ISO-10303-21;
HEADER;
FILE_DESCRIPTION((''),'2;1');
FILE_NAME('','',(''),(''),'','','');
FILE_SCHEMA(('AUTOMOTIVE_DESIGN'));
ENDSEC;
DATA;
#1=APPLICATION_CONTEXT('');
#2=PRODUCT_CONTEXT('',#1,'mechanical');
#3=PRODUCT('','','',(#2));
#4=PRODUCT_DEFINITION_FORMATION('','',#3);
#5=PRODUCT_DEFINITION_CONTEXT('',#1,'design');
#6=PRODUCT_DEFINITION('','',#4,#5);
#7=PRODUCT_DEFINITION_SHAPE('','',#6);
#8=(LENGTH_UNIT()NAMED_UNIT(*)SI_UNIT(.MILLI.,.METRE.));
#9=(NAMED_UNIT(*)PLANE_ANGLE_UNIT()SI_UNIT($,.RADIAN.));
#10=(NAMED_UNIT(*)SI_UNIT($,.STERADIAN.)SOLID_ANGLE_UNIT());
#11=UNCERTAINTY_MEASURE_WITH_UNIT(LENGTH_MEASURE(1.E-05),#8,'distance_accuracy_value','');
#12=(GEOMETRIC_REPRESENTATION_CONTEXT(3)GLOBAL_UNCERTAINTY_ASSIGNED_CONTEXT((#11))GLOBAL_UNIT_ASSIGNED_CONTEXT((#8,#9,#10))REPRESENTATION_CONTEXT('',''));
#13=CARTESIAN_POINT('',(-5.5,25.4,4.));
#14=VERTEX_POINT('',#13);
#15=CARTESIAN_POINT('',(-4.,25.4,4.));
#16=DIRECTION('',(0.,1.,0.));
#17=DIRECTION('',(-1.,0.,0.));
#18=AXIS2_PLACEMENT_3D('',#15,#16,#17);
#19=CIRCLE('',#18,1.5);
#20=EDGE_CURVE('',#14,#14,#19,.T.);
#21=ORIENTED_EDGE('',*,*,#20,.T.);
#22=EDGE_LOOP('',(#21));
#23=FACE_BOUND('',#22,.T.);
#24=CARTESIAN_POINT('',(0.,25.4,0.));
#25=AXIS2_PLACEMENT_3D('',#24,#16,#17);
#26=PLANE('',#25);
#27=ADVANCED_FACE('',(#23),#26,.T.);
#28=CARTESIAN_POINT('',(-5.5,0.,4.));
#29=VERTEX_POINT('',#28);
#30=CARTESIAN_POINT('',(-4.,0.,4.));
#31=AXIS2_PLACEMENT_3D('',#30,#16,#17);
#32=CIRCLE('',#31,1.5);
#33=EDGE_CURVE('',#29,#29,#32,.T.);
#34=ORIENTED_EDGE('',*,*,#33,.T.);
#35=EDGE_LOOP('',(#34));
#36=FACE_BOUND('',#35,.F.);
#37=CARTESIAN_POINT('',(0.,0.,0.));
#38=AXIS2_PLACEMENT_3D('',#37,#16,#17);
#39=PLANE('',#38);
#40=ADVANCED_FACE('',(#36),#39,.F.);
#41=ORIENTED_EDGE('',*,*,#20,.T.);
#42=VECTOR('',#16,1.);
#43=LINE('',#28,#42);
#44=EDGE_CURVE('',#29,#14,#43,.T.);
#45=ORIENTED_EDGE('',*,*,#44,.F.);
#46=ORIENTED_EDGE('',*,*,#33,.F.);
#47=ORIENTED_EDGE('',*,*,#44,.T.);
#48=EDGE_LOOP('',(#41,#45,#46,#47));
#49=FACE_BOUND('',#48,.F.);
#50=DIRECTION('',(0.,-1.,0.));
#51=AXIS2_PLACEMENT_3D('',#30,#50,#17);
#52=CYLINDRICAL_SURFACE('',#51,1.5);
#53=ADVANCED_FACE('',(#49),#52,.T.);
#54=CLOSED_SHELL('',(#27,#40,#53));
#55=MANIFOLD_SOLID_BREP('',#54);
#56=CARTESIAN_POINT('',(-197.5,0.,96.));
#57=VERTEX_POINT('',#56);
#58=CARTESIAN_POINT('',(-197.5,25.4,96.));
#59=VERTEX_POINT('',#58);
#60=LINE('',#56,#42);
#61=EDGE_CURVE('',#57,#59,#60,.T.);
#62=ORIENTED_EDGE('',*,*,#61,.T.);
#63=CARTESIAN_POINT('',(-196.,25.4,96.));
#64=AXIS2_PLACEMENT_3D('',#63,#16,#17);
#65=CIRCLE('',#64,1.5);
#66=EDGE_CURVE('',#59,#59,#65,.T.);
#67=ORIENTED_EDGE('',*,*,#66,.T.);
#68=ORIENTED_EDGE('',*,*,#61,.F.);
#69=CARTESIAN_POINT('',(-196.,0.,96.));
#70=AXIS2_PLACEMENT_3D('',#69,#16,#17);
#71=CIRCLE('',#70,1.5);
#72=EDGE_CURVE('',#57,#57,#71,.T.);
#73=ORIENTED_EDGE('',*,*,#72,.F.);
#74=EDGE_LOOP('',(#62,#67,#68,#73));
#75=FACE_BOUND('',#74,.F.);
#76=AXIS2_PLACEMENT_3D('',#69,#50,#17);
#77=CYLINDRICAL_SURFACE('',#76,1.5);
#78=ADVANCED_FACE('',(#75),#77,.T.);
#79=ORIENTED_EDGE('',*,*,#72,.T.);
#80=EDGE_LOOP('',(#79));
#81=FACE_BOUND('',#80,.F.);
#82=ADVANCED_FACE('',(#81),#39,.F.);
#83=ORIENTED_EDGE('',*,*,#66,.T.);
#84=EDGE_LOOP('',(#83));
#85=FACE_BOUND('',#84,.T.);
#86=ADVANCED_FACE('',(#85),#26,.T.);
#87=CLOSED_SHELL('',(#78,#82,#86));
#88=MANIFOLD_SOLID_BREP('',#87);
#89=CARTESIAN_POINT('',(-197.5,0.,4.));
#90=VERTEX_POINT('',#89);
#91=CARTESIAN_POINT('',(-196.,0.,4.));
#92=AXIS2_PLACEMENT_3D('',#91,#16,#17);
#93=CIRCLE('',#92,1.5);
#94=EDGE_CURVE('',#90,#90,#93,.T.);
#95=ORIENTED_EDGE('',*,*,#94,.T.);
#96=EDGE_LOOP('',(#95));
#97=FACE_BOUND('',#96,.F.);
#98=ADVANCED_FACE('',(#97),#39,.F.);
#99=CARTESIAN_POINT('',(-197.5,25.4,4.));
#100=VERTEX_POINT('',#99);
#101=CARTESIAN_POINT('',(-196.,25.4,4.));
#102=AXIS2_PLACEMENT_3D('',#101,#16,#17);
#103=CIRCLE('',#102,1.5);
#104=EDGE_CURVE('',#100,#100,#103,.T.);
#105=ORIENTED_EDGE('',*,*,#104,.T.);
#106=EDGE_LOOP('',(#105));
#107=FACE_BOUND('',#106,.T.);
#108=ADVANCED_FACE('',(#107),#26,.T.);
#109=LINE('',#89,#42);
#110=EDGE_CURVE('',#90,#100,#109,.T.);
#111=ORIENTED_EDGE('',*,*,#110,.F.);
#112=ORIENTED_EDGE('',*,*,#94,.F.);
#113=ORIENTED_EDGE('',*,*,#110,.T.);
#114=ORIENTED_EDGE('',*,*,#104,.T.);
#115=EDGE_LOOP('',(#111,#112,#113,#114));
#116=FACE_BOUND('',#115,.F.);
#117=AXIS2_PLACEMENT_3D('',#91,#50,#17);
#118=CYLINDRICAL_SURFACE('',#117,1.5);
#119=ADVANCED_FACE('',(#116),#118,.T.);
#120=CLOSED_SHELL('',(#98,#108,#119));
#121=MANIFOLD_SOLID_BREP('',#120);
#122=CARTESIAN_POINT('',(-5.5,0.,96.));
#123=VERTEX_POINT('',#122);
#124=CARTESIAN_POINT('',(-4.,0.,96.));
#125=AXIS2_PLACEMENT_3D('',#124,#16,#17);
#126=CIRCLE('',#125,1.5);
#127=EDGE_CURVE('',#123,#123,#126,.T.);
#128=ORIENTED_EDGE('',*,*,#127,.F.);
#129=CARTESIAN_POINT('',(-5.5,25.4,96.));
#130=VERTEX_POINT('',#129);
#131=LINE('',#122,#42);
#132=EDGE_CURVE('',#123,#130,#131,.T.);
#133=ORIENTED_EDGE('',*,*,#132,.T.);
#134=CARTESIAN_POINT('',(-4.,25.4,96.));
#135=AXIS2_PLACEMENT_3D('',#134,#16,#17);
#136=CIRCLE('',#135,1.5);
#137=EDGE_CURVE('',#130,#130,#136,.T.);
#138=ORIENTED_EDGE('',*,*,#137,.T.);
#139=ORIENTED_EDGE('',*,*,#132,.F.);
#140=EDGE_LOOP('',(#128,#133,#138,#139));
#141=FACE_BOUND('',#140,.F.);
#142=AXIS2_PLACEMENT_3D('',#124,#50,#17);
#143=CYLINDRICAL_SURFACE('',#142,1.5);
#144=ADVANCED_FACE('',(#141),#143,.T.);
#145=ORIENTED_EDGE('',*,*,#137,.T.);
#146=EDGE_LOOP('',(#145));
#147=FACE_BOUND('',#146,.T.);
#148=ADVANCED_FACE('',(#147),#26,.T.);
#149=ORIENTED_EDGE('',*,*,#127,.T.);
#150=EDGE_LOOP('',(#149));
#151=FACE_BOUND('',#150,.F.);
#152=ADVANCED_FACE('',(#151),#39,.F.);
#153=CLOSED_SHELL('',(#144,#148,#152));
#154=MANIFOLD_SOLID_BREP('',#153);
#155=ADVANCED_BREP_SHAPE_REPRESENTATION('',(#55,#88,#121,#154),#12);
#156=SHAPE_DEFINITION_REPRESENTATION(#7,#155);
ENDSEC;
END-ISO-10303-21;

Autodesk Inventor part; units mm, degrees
ref_plane "YZ Plane" through (0, 0, 0) normal (1, 0, 0) x (0, 1, 0)
ref_plane "XZ Plane" through (0, 0, 0) normal (0, 1, 0) x (-1, 0, 0)
ref_plane "XY Plane" through (0, 0, 0) normal (0, 0, 1) x (1, 0, 0)
sketch "Sketch1" plane through (0, 0, 0) normal (0, 1, 0) x (-1, 0, 0)
  line L0 (0, 0) -> (200, 0)
  line L1 (200, 0) -> (200, 100)
  line L2 (200, 100) -> (0, 100)
  line L3 (0, 100) -> (0, 0)
  circle A0 centre (4, 4) radius 1.5
  circle A1 centre (196, 96) radius 1.5
  circle A2 centre (4, 96) radius 1.5
  circle A3 centre (196, 4) radius 1.5
extrude "Extrusion1" add sketch "Sketch1" along normal blind 25.4 contours A0 | A1 | A2 | A3
properties part number "RAM"
